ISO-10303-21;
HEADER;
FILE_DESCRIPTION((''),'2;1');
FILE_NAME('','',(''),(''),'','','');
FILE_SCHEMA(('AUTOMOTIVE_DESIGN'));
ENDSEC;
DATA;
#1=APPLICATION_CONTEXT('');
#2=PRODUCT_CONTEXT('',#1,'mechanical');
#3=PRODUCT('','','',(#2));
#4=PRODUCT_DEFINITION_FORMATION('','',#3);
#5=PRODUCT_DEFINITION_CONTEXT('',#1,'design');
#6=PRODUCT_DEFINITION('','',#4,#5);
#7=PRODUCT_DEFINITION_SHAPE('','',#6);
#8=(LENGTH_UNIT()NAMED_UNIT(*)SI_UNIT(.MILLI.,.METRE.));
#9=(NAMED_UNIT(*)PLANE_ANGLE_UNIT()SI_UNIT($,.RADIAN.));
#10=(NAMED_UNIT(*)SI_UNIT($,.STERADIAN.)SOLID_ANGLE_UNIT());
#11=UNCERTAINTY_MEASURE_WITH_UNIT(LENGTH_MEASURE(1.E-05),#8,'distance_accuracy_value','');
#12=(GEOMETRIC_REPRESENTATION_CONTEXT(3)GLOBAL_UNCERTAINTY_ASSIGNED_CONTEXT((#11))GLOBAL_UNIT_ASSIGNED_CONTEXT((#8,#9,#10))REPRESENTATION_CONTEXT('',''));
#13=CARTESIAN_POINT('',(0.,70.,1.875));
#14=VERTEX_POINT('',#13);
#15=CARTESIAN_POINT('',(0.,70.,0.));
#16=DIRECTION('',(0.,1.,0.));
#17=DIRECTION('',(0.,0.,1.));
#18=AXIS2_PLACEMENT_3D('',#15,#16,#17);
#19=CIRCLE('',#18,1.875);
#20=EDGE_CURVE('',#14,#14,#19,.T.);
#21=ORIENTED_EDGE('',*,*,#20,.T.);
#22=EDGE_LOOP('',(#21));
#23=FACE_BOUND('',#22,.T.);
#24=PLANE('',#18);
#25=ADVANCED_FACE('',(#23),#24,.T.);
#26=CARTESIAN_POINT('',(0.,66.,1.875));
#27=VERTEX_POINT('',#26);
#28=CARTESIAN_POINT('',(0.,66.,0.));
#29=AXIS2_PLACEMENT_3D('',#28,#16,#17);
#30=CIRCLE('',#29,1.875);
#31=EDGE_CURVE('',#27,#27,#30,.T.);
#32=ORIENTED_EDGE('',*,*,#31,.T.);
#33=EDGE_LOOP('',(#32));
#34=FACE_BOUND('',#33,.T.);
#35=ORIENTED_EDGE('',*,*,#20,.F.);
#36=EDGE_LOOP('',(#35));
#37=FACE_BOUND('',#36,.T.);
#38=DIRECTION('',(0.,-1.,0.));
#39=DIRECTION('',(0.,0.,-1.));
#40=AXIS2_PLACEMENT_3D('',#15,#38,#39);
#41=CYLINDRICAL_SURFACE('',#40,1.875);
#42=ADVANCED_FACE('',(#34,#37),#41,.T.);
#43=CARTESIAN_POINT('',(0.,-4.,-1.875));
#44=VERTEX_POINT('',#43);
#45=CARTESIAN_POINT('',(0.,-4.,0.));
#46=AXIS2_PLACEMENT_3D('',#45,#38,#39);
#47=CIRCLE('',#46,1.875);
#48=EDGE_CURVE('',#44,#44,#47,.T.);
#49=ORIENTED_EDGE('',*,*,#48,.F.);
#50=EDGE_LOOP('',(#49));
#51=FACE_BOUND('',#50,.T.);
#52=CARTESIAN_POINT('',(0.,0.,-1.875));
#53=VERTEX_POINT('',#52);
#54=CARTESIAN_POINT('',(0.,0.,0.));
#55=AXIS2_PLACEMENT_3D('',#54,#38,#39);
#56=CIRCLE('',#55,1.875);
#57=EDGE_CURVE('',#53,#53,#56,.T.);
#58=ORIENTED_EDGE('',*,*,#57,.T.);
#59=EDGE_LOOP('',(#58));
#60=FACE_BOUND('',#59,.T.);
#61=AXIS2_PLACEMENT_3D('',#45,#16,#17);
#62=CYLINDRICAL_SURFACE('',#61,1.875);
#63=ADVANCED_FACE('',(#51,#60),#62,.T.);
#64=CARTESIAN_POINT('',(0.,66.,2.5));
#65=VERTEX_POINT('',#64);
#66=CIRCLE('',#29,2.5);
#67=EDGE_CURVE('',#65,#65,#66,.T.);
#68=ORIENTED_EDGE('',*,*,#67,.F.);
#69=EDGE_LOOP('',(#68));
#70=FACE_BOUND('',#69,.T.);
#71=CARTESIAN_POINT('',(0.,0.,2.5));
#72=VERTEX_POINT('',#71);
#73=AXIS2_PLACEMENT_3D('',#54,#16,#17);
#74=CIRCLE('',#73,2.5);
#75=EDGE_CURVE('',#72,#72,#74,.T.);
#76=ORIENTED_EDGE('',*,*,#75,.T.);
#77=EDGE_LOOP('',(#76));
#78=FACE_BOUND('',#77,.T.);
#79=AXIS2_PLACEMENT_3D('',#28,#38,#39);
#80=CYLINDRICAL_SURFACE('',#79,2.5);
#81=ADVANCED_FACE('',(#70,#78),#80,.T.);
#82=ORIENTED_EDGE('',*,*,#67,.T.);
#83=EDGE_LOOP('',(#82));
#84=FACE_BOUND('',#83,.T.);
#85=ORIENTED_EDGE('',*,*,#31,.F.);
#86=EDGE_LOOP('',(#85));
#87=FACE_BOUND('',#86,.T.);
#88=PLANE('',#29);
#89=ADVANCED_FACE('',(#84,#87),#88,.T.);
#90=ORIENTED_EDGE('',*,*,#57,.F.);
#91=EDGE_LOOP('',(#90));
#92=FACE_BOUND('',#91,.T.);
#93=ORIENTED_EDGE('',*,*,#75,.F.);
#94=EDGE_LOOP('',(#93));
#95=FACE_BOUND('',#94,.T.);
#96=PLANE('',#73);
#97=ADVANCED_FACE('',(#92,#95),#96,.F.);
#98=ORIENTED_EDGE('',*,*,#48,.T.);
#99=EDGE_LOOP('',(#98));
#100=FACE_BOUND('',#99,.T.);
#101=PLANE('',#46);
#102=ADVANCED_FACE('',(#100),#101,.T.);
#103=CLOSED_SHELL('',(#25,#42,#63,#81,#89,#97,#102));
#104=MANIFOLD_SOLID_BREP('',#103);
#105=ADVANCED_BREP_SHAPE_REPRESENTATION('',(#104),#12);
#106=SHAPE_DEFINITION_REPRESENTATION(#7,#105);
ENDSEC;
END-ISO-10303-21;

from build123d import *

# Parameters (mm, degrees)
CROQUIS1_R              = 2.5
SALIENTE_EXTRUIR1_DEPTH = 66
CROQUIS2_R              = 1.875
SALIENTE_EXTRUIR2_DEPTH = 4
CROQUIS3_R              = 1.875
SALIENTE_EXTRUIR3_DEPTH = 4


with BuildPart() as part:
    # Croquis1 → Saliente-Extruir1 (new body)
    with BuildSketch(Plane(origin=(0, 0, 0), x_dir=(1, 0, 0), z_dir=(0, 1, 0))):
        Circle(CROQUIS1_R)
    extrude(amount=SALIENTE_EXTRUIR1_DEPTH)

    # Croquis2 → Saliente-Extruir2 (add)
    with BuildSketch(Plane(origin=(0, 66, 0), x_dir=(1, 0, 0), z_dir=(0, 1, 0))):
        Circle(CROQUIS2_R)
    extrude(amount=SALIENTE_EXTRUIR2_DEPTH)

    # Croquis3 → Saliente-Extruir3 (add)
    with BuildSketch(Plane.XZ):
        Circle(CROQUIS3_R)
    extrude(amount=SALIENTE_EXTRUIR3_DEPTH)


solid = part.part
